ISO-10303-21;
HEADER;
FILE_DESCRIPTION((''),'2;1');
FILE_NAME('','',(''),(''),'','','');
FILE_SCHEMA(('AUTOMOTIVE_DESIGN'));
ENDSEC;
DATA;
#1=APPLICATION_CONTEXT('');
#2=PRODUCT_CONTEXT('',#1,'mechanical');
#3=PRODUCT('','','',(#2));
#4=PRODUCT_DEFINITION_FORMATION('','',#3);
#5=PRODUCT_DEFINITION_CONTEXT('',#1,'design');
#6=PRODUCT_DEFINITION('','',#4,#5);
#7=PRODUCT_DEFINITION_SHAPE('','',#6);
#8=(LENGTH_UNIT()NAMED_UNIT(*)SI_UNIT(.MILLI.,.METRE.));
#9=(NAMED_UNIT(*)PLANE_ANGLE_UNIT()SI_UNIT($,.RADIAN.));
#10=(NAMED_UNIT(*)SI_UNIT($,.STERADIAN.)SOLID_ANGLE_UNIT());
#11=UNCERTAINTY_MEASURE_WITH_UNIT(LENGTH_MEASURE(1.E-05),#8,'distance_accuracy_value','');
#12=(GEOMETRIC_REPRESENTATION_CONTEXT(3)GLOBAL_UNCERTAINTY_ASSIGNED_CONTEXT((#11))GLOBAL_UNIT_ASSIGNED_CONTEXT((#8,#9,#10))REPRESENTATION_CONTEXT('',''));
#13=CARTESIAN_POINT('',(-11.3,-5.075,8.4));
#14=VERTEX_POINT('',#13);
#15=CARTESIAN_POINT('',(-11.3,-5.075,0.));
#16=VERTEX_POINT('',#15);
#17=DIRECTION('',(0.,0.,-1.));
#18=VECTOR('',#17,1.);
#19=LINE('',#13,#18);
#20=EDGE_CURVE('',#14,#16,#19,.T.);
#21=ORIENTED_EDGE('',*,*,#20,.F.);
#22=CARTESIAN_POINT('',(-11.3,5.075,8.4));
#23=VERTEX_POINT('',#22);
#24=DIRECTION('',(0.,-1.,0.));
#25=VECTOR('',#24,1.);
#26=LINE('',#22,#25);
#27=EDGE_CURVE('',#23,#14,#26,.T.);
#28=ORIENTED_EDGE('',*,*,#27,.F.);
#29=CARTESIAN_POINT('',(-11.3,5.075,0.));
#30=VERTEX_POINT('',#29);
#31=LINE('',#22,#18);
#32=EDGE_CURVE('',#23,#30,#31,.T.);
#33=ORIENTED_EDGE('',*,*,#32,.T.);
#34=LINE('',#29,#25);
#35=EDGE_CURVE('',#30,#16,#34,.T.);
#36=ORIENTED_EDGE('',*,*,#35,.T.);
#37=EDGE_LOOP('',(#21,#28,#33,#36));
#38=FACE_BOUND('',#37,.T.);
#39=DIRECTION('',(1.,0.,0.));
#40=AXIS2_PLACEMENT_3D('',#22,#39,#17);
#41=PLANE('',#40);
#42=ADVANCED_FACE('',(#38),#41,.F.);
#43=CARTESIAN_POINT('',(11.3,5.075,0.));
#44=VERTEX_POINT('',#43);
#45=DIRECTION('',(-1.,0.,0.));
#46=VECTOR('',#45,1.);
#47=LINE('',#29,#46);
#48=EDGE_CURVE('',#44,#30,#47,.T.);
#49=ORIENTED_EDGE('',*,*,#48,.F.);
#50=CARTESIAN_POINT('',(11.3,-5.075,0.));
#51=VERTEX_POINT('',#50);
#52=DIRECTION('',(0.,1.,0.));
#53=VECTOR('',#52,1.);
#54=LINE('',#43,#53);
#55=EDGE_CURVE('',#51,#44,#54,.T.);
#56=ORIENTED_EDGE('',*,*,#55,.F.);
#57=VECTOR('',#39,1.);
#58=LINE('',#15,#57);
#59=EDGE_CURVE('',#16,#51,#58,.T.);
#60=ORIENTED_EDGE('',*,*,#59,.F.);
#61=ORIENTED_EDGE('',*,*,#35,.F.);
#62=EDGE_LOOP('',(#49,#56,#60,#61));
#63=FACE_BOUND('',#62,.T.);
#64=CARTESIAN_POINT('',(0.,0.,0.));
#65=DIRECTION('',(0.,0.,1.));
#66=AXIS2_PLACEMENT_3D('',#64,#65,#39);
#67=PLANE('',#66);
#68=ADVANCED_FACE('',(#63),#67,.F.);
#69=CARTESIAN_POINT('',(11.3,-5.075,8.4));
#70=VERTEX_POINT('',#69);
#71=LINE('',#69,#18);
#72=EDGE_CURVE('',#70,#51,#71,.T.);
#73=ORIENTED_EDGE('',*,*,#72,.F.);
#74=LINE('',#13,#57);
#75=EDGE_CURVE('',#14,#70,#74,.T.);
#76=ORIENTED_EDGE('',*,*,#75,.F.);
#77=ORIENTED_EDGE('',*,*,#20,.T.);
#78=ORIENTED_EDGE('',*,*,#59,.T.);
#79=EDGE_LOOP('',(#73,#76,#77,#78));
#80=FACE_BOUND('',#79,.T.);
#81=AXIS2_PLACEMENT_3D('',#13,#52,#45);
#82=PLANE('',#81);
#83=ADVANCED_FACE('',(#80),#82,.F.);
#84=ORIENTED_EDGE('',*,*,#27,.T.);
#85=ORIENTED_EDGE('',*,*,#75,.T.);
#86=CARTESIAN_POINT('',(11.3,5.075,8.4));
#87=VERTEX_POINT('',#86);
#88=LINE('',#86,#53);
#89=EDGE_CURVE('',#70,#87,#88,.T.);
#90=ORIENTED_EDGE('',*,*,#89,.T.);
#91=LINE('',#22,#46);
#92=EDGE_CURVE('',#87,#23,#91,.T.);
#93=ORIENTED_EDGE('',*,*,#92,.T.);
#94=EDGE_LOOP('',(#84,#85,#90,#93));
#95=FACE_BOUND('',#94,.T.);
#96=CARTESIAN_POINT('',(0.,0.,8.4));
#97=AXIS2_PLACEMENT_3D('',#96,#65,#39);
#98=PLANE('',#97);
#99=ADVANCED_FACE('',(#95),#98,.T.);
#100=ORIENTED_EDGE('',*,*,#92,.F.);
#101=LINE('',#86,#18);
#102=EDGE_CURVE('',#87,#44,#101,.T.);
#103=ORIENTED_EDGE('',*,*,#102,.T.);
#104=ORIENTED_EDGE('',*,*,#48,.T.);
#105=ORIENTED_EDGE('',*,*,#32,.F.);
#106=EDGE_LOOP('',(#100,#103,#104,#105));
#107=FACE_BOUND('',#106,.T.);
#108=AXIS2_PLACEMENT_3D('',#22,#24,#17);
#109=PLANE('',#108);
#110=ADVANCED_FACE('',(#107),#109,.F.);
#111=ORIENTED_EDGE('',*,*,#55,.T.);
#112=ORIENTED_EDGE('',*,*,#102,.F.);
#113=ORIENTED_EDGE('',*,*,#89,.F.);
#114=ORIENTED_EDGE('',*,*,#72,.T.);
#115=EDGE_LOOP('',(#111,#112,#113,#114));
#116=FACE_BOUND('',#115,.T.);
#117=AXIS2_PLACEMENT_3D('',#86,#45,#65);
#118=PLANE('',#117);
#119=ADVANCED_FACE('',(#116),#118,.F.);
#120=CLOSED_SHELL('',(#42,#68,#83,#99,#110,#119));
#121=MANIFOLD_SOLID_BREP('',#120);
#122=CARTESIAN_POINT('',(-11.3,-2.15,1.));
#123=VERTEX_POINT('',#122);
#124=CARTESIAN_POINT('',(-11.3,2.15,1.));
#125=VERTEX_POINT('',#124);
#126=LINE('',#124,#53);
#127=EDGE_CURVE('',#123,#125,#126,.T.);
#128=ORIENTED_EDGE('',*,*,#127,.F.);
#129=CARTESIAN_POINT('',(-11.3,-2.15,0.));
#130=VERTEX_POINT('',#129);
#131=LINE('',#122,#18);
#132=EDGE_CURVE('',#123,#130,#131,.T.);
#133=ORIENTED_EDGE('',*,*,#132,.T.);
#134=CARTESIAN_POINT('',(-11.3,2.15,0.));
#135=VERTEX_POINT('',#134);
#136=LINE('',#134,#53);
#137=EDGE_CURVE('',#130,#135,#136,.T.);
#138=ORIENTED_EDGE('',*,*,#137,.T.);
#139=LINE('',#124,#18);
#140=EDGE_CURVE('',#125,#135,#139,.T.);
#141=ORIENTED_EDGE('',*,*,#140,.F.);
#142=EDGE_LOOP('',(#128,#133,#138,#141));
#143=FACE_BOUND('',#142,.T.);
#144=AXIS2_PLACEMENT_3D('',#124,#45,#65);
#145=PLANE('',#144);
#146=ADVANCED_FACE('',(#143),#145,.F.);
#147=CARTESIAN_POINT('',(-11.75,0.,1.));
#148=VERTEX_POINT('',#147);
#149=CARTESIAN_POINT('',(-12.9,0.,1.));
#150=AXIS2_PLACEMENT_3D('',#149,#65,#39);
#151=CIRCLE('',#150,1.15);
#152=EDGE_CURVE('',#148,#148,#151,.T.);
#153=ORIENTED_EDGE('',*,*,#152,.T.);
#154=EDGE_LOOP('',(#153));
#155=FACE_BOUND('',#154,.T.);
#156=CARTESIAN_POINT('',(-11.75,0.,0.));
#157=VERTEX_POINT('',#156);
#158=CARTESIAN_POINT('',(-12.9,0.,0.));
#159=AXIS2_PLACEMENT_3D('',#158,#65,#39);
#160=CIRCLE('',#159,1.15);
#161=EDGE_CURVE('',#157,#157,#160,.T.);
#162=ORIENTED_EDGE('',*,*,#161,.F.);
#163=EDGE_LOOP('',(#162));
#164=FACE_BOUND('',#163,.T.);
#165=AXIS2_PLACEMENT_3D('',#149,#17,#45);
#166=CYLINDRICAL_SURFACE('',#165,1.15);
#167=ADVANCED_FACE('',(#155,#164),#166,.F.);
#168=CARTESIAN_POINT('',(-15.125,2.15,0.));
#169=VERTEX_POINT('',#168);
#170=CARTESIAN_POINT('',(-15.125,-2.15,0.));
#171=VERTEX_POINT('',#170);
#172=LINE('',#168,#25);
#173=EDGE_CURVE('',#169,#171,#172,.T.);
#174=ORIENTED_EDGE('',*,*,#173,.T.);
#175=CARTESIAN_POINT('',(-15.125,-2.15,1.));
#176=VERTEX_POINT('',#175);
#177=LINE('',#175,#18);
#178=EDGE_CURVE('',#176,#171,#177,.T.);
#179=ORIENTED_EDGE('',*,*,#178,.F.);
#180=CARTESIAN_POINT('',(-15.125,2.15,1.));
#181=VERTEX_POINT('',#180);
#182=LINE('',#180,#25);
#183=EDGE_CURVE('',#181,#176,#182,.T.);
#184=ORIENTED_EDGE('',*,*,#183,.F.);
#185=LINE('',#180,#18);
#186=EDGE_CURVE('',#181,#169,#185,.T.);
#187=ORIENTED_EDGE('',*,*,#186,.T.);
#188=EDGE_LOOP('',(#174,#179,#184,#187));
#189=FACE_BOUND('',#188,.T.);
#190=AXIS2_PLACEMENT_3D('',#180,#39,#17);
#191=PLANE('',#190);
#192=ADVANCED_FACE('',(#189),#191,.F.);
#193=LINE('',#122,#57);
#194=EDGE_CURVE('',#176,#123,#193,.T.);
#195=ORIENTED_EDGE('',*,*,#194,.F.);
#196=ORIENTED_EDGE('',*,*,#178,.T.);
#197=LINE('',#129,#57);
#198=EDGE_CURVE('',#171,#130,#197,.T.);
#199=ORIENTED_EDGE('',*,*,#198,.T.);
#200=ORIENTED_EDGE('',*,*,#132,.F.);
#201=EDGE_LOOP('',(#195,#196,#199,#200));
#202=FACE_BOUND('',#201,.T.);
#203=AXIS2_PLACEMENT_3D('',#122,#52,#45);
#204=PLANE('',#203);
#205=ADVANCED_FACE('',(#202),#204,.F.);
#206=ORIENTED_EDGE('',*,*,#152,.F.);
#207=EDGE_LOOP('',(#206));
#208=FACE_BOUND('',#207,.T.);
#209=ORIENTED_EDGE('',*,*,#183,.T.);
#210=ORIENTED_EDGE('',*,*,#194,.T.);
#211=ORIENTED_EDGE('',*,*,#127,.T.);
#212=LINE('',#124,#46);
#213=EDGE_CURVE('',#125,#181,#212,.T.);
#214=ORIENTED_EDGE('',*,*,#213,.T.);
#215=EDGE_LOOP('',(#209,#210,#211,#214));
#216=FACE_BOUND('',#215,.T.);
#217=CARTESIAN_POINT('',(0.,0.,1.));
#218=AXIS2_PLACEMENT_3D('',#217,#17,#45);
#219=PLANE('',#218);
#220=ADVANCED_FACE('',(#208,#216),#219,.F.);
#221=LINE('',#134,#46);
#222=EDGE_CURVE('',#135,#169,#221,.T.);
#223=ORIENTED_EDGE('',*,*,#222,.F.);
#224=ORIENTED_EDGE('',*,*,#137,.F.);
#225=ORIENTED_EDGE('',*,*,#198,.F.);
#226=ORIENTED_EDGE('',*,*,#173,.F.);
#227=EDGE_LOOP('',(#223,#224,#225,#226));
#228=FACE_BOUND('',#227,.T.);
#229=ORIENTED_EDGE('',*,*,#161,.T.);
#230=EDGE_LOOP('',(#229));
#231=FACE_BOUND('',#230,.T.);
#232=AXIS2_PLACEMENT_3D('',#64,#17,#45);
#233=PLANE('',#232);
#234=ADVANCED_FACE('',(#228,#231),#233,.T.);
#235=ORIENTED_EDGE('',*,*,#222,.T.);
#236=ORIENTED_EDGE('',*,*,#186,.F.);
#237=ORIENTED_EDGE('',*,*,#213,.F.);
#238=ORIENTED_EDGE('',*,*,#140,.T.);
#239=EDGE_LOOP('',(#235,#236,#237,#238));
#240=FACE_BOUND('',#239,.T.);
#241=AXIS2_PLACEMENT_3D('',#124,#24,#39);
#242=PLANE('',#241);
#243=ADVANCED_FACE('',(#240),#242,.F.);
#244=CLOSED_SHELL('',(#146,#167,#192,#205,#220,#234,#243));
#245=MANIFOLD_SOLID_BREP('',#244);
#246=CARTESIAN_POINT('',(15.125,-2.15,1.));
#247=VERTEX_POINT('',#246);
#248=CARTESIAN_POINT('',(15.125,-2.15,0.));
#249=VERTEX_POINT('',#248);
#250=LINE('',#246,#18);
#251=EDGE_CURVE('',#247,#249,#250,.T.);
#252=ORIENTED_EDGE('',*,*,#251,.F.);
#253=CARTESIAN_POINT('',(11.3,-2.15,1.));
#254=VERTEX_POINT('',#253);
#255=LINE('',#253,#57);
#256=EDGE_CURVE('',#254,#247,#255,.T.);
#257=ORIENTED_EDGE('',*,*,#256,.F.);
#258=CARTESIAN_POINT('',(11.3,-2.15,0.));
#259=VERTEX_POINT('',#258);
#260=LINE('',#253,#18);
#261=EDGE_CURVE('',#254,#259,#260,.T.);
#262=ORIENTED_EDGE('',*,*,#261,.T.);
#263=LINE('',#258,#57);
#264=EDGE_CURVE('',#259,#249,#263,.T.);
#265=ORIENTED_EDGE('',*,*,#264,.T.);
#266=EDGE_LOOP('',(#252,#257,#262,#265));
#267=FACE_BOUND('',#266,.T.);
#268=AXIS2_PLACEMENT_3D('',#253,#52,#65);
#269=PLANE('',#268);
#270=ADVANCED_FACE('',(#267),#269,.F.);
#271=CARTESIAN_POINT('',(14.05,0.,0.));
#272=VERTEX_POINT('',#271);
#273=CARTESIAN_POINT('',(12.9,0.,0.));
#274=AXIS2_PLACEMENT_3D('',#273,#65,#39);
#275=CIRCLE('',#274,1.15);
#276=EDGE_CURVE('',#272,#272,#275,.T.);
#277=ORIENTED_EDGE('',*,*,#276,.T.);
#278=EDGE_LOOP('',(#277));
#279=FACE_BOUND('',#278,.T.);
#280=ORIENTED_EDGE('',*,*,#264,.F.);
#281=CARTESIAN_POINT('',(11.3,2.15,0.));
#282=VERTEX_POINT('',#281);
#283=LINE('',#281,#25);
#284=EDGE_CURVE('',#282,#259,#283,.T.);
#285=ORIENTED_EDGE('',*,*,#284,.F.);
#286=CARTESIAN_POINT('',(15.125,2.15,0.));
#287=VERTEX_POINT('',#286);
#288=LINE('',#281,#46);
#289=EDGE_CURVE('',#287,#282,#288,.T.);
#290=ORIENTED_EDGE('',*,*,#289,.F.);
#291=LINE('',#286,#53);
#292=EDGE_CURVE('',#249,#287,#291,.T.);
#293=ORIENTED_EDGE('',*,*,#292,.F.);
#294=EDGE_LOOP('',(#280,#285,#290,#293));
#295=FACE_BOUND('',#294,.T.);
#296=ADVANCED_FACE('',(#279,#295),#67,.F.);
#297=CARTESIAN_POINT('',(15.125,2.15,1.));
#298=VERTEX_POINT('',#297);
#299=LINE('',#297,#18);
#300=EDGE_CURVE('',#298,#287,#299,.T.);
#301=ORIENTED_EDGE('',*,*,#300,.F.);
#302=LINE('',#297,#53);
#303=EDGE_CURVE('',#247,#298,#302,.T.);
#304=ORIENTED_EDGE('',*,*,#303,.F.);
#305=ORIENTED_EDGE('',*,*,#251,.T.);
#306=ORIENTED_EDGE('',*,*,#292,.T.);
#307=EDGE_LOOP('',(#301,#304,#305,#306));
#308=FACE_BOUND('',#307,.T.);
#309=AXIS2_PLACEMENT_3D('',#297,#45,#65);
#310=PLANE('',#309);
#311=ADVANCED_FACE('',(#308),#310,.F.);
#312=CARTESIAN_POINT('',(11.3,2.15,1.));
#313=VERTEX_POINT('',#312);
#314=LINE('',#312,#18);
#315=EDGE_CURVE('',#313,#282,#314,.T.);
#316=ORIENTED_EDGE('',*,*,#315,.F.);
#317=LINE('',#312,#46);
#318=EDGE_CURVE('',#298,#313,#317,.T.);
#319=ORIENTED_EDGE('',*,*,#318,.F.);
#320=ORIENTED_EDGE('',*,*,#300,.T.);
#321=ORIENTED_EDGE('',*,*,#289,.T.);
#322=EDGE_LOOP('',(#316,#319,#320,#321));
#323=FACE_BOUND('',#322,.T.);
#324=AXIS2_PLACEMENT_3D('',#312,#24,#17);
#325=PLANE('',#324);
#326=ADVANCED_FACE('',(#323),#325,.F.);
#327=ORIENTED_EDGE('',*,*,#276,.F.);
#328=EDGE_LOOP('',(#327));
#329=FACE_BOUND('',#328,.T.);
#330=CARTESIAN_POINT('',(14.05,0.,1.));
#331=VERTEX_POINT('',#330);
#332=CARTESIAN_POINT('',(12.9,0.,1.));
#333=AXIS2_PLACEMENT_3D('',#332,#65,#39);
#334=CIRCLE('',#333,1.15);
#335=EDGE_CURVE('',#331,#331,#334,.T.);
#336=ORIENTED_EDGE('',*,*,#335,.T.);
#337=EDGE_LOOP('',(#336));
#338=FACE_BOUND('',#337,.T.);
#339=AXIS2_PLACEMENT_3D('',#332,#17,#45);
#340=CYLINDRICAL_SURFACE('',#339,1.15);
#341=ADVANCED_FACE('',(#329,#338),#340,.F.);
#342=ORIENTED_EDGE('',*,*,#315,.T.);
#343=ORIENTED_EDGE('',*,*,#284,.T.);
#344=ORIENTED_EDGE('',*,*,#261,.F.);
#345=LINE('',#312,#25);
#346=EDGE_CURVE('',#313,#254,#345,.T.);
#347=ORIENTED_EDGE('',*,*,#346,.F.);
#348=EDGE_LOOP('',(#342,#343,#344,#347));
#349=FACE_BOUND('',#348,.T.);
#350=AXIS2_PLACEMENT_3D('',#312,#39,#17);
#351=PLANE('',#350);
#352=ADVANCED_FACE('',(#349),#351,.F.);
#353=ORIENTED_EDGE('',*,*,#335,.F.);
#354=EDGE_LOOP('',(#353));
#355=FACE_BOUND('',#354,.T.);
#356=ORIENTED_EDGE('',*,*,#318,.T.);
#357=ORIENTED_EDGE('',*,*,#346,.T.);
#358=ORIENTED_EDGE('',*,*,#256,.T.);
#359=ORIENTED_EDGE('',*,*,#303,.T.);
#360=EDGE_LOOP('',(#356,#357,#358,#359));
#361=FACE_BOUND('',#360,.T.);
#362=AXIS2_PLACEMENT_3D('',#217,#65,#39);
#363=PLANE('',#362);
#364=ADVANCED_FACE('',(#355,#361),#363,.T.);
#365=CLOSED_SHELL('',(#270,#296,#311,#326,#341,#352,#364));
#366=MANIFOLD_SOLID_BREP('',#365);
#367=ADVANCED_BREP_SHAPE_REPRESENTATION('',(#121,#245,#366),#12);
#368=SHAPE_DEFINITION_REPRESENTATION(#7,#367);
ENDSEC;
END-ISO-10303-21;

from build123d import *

# Parameters (mm, degrees)
SKETCH1_W     = 22.6
SKETCH1_H     = 10.15
MAIN_DEPTH    = 8.4
SKETCH2_W     = 3.825
SKETCH2_H     = 4.3
SKETCH2_R     = 1.15
FIX_2_DEPTH   = 1
FIX_2_2_DEPTH = 1


with BuildPart() as part:
    # Sketch1 → Main (new body)
    with BuildSketch(Plane.XY):
        Rectangle(SKETCH1_W, SKETCH1_H)
    extrude(amount=MAIN_DEPTH)


with BuildPart() as body_2:
    # Sketch2 → Fix 2 (new body)
    with BuildSketch(Plane.XY):
        with Locations((-13.2125, 0)):
            Rectangle(SKETCH2_W, SKETCH2_H)
        with Locations((-12.9, 0)):
            Circle(SKETCH2_R, mode=Mode.SUBTRACT)
    extrude(amount=FIX_2_DEPTH)


with BuildPart() as body_3:
    # Sketch2 → Fix 2 2 (new body)
    with BuildSketch(Plane.XY):
        with Locations((13.2125, 0)):
            Rectangle(SKETCH2_W, SKETCH2_H)
        with Locations((12.9, 0)):
            Circle(SKETCH2_R, mode=Mode.SUBTRACT)
    extrude(amount=FIX_2_2_DEPTH)


solid = Compound([part.part, body_2.part, body_3.part])
